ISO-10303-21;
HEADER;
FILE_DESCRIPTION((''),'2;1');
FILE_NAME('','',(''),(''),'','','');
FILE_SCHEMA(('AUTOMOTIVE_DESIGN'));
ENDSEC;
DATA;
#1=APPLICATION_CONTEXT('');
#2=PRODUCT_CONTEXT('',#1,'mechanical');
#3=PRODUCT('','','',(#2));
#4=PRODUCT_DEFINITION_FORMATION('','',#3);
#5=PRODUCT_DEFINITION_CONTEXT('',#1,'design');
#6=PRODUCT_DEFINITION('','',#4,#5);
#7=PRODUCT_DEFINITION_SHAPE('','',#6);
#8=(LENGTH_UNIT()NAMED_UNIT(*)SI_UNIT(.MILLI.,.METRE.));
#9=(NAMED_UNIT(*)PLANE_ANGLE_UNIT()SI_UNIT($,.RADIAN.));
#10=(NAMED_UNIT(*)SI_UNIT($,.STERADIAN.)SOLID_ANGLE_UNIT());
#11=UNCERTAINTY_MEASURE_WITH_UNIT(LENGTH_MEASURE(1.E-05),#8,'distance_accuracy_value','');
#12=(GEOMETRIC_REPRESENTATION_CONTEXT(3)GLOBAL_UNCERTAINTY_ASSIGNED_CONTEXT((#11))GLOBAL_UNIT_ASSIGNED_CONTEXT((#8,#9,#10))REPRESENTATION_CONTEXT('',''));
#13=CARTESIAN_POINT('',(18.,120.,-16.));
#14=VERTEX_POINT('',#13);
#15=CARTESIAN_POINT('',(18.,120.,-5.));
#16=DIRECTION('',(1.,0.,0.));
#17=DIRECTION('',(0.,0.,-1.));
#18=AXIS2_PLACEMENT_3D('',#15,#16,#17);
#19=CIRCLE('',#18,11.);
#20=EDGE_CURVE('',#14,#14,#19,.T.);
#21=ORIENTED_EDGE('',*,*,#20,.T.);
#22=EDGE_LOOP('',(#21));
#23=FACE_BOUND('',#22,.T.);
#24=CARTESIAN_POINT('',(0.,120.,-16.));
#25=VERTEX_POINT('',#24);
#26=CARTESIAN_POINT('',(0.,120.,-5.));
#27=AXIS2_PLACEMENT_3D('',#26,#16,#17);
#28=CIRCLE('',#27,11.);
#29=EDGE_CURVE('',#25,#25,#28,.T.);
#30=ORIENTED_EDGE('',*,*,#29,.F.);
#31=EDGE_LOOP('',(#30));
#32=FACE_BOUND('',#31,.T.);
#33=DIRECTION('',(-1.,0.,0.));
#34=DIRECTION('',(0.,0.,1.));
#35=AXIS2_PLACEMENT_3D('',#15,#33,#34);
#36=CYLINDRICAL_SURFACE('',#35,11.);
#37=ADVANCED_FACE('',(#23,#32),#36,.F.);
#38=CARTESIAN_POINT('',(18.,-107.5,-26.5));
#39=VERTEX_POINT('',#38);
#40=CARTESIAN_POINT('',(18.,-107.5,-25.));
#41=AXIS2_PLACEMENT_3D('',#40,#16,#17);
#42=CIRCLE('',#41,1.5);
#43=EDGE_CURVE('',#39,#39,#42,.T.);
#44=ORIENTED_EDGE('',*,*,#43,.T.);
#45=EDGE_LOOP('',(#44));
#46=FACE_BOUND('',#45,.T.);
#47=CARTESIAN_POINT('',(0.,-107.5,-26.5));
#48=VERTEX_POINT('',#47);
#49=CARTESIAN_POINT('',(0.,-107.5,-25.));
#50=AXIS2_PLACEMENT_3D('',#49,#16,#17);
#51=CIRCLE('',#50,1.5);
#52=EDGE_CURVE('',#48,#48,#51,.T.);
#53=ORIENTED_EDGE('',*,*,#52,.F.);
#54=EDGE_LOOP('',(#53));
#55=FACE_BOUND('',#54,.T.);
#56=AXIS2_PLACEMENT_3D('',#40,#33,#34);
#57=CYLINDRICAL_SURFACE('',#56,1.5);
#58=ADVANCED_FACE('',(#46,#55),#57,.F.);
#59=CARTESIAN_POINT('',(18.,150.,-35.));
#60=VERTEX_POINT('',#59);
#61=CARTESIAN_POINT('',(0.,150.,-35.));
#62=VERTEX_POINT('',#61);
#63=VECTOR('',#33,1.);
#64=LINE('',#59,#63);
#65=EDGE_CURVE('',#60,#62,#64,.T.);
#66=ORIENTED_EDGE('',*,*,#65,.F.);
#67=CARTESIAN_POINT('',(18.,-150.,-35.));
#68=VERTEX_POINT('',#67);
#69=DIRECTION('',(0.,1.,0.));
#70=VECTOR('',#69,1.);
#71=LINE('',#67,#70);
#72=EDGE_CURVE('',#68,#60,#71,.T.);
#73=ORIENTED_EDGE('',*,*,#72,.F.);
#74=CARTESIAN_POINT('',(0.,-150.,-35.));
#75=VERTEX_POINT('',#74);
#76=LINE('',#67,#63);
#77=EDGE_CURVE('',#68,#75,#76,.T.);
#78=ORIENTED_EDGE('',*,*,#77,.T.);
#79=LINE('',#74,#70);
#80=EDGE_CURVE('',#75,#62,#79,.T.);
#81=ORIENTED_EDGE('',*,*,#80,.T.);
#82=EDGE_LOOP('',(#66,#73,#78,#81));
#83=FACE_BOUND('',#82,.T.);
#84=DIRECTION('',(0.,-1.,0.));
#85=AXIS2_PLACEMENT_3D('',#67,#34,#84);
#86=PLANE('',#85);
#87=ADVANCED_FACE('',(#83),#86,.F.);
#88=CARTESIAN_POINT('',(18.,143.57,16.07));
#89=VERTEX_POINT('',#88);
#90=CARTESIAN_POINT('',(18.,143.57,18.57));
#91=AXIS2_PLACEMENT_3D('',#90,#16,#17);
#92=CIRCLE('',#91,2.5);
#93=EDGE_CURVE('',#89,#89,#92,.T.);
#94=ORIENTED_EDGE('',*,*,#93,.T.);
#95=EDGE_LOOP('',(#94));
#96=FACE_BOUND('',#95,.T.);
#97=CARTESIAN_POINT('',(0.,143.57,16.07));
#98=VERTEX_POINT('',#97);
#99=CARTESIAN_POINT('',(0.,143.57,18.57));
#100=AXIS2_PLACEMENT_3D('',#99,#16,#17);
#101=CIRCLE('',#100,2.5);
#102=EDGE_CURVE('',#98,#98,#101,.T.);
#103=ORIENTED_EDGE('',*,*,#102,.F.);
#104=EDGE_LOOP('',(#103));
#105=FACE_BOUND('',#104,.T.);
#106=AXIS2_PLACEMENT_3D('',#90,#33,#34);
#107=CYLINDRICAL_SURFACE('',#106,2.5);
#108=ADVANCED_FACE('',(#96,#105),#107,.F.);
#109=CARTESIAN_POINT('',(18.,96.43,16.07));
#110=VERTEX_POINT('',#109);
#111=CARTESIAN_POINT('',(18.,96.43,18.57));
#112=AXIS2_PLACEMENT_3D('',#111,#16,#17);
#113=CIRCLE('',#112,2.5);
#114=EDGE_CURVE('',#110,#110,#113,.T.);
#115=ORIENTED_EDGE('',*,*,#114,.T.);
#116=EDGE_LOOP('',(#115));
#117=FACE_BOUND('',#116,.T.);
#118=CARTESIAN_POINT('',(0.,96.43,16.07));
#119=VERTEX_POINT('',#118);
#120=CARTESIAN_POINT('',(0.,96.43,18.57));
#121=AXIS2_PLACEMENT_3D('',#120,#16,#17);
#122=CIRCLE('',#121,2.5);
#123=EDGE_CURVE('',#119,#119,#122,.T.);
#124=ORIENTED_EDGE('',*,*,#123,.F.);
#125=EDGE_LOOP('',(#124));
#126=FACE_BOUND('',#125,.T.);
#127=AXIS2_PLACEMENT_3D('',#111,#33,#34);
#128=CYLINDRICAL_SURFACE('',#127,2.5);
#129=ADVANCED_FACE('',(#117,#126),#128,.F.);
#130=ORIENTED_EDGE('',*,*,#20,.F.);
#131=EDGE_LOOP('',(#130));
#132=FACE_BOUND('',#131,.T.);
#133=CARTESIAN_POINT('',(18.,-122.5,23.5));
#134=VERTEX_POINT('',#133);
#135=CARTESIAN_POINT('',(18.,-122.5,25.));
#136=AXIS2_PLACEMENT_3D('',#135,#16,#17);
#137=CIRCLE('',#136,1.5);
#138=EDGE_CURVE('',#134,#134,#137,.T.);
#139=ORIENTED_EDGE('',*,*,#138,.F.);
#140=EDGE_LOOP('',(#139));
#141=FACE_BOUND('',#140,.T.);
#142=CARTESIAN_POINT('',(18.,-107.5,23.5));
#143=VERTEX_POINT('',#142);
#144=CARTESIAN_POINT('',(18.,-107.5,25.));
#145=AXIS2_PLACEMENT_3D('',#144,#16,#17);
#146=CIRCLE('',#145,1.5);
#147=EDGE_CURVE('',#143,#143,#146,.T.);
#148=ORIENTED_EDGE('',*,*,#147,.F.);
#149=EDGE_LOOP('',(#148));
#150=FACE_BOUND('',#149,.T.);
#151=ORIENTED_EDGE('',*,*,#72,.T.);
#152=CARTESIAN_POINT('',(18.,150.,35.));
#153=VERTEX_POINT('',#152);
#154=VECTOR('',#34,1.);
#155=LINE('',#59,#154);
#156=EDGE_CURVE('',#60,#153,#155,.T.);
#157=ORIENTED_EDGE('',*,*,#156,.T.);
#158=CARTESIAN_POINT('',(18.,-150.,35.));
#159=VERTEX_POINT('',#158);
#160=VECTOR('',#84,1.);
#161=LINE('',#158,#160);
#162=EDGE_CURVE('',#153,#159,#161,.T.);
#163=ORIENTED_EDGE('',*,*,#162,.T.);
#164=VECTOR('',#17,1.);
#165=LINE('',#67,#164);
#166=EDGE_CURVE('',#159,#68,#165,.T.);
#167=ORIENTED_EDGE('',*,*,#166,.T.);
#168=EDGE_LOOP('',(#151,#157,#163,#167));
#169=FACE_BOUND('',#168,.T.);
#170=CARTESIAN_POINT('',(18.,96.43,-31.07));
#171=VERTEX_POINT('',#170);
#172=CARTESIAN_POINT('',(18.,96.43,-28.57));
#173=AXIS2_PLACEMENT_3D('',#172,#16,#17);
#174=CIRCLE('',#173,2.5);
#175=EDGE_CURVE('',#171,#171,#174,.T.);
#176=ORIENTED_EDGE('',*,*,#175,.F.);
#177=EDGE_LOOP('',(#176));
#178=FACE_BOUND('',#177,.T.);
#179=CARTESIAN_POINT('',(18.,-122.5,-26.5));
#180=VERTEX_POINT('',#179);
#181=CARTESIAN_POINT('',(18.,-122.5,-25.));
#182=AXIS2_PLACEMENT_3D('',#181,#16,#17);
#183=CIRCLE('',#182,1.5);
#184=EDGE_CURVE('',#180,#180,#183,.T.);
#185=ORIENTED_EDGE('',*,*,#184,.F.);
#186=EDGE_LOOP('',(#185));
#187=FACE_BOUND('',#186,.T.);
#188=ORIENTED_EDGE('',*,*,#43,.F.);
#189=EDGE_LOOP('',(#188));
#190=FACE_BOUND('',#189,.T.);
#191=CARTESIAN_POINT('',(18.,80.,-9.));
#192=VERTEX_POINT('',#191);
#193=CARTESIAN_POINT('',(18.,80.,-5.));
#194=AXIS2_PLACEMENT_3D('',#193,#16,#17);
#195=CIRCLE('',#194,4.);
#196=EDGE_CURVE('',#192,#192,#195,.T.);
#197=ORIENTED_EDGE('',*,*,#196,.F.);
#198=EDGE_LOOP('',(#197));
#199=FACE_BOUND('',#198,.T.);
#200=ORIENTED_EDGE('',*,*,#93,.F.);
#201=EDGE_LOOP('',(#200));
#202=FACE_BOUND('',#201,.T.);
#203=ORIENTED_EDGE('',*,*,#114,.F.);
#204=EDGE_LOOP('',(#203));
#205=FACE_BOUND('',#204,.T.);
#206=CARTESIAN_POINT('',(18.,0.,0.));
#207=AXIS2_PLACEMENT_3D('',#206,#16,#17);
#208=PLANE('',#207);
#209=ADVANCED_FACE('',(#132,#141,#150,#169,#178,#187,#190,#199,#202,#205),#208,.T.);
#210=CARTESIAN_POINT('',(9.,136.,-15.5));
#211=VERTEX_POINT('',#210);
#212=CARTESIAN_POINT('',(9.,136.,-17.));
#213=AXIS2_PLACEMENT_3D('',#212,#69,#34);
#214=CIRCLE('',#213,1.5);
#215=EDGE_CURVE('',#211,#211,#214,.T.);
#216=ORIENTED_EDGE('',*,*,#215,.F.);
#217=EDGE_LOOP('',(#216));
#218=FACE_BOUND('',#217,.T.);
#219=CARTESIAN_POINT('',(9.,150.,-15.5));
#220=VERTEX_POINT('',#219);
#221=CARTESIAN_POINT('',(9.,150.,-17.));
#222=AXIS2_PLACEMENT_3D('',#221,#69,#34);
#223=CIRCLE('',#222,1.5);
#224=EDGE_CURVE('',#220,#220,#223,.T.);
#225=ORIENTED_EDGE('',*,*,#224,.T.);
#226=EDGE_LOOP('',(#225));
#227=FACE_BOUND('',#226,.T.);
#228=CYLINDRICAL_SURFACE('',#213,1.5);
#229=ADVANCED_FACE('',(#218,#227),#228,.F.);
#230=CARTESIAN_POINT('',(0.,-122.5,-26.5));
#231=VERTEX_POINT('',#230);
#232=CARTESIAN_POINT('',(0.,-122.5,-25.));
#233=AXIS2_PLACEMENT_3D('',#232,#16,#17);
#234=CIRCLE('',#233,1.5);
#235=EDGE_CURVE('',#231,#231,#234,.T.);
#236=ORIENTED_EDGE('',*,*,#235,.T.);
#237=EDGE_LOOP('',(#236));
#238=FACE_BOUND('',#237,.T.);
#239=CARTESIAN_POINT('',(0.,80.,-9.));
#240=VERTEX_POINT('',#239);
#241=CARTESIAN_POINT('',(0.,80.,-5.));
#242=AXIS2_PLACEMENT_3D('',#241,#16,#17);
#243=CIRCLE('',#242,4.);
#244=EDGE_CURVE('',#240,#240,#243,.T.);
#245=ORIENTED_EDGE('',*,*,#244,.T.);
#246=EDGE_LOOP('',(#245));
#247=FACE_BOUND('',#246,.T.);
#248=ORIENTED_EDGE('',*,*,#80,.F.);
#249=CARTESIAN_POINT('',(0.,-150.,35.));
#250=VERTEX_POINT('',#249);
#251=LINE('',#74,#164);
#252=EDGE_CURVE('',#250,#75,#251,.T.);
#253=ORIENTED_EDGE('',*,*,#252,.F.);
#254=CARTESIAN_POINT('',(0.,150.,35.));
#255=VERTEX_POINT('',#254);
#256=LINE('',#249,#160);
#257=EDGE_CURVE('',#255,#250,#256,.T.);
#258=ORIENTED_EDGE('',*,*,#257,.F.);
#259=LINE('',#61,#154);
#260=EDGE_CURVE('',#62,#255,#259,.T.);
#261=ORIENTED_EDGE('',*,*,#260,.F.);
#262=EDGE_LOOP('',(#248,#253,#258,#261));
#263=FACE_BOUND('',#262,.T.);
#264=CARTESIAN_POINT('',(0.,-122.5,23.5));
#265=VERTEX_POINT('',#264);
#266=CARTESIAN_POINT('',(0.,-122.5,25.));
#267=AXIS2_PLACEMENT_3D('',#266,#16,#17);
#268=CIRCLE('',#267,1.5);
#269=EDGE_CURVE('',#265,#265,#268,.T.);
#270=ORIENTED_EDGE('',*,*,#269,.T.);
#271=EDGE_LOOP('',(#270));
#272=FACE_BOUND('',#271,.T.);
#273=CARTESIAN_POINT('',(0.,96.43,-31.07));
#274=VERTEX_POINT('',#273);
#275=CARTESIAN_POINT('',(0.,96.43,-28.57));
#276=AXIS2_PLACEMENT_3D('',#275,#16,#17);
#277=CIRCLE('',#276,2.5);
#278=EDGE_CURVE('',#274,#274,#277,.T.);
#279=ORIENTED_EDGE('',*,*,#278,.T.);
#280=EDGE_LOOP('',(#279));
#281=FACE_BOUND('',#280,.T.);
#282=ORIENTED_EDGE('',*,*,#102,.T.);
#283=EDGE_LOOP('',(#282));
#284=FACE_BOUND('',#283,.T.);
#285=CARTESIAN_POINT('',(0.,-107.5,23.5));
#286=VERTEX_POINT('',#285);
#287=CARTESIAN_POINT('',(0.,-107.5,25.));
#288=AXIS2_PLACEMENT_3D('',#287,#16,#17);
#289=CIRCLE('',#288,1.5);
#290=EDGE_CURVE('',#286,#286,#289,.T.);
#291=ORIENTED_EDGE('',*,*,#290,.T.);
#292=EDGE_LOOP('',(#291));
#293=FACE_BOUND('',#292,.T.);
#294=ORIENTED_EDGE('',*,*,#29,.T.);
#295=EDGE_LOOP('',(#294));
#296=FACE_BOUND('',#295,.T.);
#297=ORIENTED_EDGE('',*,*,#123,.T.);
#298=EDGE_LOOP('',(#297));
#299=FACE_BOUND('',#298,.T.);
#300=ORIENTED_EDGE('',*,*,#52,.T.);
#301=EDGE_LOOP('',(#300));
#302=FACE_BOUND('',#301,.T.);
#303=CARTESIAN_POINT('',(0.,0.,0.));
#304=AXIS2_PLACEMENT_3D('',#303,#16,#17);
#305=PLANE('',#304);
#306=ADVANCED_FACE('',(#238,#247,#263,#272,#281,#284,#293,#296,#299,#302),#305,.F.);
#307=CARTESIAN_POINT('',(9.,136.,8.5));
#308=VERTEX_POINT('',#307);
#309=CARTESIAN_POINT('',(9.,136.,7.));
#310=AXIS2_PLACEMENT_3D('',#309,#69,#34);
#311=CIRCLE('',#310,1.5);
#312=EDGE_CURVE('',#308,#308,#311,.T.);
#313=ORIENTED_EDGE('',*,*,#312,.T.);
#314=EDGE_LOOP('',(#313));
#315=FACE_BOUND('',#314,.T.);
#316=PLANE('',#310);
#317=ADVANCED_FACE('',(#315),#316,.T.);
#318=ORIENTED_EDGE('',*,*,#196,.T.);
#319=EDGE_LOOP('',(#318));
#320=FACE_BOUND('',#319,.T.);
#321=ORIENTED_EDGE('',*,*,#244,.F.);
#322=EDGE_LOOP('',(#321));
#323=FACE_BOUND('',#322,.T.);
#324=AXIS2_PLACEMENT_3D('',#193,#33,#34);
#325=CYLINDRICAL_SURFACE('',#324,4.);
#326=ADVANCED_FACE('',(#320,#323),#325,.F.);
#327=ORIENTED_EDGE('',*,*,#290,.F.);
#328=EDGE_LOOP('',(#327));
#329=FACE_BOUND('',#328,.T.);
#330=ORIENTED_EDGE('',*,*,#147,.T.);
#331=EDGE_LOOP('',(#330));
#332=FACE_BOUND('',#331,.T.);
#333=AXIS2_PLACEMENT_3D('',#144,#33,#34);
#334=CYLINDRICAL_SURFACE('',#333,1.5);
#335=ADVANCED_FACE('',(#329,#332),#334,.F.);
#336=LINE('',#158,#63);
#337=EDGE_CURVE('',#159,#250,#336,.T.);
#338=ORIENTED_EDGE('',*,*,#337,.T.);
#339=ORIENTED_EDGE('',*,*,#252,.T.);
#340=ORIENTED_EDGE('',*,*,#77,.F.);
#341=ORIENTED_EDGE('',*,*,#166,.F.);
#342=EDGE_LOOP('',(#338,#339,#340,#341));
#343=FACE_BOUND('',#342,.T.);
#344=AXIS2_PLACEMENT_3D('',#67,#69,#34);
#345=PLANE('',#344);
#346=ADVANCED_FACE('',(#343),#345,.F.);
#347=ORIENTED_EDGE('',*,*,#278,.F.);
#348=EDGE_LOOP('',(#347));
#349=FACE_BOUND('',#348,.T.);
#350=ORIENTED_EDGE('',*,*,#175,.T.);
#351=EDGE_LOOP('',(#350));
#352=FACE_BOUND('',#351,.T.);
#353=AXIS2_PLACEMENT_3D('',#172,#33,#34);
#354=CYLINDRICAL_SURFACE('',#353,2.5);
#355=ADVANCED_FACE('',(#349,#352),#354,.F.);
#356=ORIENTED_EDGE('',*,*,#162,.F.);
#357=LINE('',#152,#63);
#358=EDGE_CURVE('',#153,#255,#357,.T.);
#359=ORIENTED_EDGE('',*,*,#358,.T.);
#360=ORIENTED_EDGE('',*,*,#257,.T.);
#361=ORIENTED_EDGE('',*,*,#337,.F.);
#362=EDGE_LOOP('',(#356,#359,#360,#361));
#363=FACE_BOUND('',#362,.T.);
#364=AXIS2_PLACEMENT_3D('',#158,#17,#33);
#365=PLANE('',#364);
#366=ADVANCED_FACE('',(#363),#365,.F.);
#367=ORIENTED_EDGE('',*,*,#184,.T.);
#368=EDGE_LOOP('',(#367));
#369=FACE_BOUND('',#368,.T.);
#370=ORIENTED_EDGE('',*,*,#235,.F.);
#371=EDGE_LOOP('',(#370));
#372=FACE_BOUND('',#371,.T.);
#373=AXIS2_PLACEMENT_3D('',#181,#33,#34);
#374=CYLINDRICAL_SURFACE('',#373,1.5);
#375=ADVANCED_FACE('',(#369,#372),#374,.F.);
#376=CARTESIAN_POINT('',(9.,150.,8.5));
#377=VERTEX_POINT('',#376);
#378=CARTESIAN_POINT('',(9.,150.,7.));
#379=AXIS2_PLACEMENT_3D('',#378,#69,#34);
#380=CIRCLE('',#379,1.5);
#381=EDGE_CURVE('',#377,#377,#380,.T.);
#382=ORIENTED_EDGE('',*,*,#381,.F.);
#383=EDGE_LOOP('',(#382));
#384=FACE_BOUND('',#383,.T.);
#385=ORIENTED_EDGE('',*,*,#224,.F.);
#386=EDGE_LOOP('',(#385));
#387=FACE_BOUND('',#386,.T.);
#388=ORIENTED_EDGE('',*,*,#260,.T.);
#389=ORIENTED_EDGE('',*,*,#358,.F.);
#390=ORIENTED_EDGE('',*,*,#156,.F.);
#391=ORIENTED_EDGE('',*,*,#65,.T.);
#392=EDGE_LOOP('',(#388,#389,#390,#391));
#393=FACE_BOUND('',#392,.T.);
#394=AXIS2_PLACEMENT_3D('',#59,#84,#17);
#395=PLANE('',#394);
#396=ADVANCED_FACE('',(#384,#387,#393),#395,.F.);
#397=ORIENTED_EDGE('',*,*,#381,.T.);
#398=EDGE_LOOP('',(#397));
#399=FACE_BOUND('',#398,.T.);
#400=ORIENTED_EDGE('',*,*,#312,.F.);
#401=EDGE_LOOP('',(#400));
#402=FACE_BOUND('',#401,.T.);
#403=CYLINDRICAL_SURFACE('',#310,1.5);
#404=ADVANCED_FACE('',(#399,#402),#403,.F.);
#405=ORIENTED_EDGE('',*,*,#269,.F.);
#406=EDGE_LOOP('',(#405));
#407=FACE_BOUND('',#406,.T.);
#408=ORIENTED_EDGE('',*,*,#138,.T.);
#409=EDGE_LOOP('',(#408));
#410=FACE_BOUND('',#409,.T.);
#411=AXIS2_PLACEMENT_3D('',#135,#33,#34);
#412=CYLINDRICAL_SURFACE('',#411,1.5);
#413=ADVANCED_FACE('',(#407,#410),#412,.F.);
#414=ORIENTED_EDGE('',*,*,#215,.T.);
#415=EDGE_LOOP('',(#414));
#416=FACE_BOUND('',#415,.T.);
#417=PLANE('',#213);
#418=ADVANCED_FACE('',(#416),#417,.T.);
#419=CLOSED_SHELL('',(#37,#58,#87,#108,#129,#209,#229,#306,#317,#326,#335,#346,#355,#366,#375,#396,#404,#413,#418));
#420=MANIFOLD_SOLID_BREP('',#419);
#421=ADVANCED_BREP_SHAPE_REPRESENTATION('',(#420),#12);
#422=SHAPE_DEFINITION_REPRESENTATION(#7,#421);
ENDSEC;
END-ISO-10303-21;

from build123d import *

# Parameters (mm, degrees)
CROQUIS2_W              = 70
CROQUIS2_H              = 300
CROQUIS2_R              = 1.5
CROQUIS2_R_2            = 4
CROQUIS2_R_3            = 2.5
CROQUIS2_R_4            = 11
SALIENTE_EXTRUIR1_DEPTH = 18
CROQUIS3_R              = 1.5
CORTAR_EXTRUIR1_DEPTH   = 14


with BuildPart() as part:
    # Croquis2 → Saliente-Extruir1 (new body)
    with BuildSketch(Plane(origin=(0, 0, 0), x_dir=(0, 0, -1), z_dir=(1, 0, 0))):
        Rectangle(CROQUIS2_W, CROQUIS2_H)
        with Locations((25, -122.5)):
            Circle(CROQUIS2_R, mode=Mode.SUBTRACT)
        with Locations((-25, -122.5)):
            Circle(CROQUIS2_R, mode=Mode.SUBTRACT)
        with Locations((25, -107.5)):
            Circle(CROQUIS2_R, mode=Mode.SUBTRACT)
        with Locations((-25, -107.5)):
            Circle(CROQUIS2_R, mode=Mode.SUBTRACT)
        with Locations((5, 80)):
            Circle(CROQUIS2_R_2, mode=Mode.SUBTRACT)
        with Locations((28.57, 96.43)):
            Circle(CROQUIS2_R_3, mode=Mode.SUBTRACT)
        with Locations((5, 120)):
            Circle(CROQUIS2_R_4, mode=Mode.SUBTRACT)
        with Locations((-18.57, 96.43)):
            Circle(CROQUIS2_R_3, mode=Mode.SUBTRACT)
        with Locations((-18.57, 143.57)):
            Circle(CROQUIS2_R_3, mode=Mode.SUBTRACT)
    extrude(amount=SALIENTE_EXTRUIR1_DEPTH)

    # Croquis3 → Cortar-Extruir1 (cut)
    with BuildSketch(Plane(origin=(0, 150, 0), x_dir=(1, 0, 0), z_dir=(0, 1, 0))):
        with Locations((9, -7)):
            Circle(CROQUIS3_R)
        with Locations((9, 17)):
            Circle(CROQUIS3_R)
    extrude(amount=-CORTAR_EXTRUIR1_DEPTH, mode=Mode.SUBTRACT)


solid = part.part
